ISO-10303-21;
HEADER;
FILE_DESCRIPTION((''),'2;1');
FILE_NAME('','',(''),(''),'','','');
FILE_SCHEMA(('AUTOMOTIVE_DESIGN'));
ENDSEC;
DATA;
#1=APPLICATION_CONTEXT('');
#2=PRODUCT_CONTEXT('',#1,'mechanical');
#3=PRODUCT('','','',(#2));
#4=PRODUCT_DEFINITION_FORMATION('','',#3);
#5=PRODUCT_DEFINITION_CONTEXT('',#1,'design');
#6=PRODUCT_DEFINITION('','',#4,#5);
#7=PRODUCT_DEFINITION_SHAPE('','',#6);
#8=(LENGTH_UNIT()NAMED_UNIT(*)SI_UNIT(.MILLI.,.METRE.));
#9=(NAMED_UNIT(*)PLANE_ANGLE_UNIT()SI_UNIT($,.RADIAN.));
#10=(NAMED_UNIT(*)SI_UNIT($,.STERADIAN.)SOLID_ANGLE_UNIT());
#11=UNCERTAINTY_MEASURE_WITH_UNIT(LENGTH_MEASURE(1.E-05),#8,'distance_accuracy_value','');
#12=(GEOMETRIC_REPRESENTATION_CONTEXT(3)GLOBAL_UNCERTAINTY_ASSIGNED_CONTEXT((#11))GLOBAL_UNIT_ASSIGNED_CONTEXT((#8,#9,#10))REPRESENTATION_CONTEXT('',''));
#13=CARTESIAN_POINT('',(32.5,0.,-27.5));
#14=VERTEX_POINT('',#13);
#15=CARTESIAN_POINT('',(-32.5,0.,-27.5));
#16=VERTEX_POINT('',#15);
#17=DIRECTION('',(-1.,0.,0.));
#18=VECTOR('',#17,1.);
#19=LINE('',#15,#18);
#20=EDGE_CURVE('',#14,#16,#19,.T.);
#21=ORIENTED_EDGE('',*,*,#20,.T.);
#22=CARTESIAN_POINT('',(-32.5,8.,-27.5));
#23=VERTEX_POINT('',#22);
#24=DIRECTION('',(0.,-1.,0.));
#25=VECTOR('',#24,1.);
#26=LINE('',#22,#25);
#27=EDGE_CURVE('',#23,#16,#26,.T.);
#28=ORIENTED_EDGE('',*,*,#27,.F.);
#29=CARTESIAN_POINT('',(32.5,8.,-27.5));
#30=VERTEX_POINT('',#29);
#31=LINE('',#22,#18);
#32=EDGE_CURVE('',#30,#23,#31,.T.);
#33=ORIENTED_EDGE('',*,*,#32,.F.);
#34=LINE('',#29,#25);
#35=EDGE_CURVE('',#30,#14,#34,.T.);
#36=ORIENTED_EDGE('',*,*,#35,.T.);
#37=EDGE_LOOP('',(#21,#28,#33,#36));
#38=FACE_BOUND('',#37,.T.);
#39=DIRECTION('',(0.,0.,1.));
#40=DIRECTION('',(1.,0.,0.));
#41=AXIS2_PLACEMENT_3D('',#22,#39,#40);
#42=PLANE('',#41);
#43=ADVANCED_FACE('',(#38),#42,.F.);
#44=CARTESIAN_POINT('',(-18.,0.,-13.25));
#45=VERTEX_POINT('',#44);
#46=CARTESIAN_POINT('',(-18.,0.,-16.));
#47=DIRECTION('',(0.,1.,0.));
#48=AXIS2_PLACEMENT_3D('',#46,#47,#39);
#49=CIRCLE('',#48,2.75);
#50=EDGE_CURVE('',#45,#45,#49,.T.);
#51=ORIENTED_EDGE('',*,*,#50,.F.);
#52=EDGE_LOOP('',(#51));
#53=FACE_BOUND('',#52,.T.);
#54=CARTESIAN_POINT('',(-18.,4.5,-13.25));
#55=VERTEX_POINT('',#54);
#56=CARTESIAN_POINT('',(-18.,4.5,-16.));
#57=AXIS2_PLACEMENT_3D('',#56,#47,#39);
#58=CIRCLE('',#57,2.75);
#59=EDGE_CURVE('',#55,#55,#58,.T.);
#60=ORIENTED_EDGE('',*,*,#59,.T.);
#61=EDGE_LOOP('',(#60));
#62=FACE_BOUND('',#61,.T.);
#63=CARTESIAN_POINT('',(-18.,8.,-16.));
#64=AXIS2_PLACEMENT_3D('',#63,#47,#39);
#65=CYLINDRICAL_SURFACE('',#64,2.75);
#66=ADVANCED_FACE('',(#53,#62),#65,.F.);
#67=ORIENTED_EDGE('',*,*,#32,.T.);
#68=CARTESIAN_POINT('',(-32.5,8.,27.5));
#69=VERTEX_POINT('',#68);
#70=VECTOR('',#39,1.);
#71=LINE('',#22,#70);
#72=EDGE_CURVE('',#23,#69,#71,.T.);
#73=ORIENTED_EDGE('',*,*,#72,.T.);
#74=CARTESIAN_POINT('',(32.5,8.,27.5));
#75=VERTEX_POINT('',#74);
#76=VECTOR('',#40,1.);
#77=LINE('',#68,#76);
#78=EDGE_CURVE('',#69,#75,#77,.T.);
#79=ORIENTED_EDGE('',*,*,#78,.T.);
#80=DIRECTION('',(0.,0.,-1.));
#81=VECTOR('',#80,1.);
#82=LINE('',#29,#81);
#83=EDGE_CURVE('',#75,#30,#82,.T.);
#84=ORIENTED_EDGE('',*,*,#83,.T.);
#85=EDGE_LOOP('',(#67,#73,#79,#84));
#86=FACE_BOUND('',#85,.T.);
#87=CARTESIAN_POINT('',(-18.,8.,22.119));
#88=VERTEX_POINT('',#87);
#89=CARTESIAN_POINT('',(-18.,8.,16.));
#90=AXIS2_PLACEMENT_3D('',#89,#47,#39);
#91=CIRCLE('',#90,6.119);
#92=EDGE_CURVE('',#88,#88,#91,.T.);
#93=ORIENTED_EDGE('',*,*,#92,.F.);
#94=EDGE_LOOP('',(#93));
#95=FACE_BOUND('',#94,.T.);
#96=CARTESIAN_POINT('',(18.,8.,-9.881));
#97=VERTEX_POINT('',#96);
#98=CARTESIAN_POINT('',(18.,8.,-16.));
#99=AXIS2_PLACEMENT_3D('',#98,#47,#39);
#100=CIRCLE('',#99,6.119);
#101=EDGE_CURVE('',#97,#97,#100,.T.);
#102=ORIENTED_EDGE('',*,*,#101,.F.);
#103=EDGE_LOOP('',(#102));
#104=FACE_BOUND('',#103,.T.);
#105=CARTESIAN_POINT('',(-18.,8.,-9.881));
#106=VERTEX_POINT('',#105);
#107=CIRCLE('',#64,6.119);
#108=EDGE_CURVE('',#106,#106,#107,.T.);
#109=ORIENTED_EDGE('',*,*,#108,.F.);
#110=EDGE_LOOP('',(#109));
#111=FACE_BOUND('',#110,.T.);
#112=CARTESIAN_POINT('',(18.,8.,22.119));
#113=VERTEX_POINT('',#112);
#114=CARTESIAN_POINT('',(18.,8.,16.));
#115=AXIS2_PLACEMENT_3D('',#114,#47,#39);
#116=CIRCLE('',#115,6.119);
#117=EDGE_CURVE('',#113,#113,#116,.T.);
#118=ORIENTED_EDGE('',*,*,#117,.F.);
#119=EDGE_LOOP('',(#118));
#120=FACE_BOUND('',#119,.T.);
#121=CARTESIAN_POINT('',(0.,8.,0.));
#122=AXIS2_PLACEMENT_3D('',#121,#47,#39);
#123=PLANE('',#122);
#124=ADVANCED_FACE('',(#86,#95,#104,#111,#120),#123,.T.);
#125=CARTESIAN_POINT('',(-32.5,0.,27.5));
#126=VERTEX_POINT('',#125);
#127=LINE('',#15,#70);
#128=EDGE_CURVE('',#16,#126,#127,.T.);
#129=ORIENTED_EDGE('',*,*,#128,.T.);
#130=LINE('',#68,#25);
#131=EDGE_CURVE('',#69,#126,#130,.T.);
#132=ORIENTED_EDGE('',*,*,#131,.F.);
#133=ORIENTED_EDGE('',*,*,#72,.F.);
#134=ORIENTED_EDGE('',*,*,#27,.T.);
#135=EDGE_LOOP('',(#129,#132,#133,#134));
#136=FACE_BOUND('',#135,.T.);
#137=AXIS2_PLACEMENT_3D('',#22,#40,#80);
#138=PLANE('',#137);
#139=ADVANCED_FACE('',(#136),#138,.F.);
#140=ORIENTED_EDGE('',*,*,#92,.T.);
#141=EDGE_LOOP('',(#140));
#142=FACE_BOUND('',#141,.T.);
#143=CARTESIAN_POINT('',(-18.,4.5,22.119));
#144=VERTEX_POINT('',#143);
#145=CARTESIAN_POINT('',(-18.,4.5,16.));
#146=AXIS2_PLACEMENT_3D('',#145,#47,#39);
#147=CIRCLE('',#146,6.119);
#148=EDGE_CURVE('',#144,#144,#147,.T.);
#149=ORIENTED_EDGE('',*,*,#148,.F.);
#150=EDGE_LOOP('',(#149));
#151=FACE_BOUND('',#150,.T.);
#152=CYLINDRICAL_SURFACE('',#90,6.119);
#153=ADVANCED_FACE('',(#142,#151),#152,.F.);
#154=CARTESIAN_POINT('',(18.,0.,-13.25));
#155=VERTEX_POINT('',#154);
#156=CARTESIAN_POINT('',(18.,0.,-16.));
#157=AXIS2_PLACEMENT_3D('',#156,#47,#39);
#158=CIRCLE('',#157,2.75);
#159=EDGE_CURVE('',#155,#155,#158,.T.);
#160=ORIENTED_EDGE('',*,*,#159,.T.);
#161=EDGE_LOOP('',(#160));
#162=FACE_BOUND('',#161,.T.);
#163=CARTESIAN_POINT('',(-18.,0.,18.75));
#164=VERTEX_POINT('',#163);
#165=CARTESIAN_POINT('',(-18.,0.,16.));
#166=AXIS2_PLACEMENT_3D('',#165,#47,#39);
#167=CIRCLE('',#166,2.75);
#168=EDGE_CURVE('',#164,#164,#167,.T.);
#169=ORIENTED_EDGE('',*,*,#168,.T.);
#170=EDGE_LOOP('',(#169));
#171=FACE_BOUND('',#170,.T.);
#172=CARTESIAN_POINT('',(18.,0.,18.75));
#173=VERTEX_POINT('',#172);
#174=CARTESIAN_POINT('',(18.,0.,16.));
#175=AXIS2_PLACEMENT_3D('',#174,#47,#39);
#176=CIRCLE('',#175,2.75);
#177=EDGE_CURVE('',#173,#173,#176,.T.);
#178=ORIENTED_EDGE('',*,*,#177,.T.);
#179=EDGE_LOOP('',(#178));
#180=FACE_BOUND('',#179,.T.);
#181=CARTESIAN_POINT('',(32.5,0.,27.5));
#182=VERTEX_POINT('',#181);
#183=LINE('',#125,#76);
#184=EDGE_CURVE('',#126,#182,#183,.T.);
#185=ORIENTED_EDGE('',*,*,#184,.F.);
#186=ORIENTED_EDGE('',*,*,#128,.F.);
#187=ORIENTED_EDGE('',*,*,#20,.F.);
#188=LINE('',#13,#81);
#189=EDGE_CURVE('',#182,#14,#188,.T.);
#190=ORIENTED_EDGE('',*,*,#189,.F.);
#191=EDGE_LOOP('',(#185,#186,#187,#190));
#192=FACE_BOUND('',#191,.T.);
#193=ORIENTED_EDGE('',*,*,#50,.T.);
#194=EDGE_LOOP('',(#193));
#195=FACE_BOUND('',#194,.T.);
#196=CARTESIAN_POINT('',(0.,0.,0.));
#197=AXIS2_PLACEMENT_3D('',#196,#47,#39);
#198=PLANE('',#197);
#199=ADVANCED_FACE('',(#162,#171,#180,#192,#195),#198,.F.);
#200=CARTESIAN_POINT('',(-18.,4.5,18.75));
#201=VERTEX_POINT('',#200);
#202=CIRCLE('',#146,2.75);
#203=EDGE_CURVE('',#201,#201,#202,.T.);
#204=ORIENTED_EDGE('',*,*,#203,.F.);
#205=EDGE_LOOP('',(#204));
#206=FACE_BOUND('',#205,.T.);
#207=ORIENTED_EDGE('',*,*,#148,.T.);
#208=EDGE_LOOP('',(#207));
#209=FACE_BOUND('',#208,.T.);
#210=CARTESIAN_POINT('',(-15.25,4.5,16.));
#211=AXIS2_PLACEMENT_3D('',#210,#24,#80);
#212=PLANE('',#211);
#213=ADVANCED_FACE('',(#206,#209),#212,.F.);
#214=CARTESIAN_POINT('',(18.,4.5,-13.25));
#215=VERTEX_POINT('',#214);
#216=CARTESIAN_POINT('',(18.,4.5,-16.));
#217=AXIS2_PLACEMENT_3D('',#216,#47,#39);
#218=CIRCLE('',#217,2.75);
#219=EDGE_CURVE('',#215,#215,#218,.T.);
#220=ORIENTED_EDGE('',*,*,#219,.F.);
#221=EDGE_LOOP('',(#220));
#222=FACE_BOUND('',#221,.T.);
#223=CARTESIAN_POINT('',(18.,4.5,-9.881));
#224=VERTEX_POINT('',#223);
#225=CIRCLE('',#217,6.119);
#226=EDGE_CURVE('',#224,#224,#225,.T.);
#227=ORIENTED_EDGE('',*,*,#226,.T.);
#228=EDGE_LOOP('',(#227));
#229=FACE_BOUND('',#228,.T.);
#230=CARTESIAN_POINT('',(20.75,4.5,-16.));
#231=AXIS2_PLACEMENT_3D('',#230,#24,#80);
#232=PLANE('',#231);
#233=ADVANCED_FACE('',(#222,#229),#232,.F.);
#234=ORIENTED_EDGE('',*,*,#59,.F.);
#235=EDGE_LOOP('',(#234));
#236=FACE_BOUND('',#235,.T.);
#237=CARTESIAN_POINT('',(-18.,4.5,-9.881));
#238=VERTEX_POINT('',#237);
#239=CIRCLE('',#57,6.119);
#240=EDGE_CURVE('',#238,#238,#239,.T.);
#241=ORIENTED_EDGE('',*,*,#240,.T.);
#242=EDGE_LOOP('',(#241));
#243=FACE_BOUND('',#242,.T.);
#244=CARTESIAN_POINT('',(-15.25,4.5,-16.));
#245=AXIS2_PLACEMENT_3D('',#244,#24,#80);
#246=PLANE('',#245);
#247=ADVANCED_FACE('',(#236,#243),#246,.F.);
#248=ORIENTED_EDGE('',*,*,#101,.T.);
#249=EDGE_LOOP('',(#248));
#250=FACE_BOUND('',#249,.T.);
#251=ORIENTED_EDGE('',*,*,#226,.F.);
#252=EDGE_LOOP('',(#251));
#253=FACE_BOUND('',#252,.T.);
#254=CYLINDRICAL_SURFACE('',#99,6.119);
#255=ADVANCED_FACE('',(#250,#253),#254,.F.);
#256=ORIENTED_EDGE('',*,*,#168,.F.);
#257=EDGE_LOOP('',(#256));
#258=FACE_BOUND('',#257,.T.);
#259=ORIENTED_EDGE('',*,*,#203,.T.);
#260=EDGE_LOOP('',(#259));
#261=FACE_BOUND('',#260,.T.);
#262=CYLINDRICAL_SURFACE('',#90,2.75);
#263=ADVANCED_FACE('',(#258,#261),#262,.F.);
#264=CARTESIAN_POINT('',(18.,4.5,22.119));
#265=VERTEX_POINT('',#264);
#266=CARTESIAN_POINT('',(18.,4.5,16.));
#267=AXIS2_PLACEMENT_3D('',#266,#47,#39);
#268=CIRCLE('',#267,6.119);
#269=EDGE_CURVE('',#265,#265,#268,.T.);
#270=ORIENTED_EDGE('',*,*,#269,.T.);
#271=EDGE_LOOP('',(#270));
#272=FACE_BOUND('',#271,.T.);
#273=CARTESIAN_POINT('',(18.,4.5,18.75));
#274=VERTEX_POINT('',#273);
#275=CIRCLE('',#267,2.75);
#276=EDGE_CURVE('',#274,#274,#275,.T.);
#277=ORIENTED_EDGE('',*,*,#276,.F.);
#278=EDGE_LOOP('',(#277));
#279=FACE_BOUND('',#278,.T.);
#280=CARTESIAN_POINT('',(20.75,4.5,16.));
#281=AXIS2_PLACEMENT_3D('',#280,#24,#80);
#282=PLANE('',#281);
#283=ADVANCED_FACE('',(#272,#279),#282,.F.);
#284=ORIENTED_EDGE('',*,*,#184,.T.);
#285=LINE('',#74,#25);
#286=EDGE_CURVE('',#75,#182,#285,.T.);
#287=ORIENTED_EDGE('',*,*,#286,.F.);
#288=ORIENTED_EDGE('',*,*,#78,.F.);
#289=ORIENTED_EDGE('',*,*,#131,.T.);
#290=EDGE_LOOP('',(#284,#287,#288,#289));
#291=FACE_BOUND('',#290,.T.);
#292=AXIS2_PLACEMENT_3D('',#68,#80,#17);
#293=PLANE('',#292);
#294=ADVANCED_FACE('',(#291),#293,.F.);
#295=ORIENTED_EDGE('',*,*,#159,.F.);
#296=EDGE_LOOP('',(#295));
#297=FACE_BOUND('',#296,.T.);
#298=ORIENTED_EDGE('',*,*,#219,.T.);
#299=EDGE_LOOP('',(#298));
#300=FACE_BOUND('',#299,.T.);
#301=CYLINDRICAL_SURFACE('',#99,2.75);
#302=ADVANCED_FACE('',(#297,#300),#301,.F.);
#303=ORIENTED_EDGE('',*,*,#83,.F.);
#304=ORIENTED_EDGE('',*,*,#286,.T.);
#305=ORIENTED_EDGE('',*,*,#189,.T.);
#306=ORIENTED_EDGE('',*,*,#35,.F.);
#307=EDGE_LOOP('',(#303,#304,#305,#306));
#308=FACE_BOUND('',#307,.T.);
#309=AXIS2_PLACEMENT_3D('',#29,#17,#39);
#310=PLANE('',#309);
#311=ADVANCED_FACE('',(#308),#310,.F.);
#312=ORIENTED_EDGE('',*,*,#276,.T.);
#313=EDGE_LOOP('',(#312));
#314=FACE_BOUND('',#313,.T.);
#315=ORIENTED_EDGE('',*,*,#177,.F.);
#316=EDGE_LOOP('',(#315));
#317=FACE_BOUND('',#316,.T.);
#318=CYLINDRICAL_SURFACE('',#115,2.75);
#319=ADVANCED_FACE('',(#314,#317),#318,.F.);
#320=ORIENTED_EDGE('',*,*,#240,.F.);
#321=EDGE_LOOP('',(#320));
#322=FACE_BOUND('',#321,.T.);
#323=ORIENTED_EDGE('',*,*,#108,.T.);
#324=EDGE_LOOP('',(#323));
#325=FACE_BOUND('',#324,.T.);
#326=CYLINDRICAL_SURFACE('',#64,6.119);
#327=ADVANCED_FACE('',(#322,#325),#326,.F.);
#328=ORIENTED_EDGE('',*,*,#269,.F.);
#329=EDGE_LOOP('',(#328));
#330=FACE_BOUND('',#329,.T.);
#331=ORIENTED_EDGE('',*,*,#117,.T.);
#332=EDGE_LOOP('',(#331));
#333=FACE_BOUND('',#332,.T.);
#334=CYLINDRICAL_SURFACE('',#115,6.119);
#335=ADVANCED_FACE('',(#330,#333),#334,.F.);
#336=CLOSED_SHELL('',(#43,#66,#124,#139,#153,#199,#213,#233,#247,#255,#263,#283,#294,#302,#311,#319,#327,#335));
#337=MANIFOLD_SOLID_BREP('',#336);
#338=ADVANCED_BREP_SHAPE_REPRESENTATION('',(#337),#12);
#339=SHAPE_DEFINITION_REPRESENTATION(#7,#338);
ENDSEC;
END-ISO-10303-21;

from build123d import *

# Parameters (mm, degrees)
SKETCH1_W                                    = 65
SKETCH1_H                                    = 55
BOSS_EXTRUDE1_DEPTH                          = 8
CBORE_FOR_M5_HEX_HEAD_CAP_SCREW1_D           = 5.5
CBORE_FOR_M5_HEX_HEAD_CAP_SCREW1_CBORE_D     = 12.238
CBORE_FOR_M5_HEX_HEAD_CAP_SCREW1_CBORE_DEPTH = 3.5


with BuildPart() as part:
    # Sketch1 → Boss-Extrude1 (new body)
    with BuildSketch(Plane(origin=(0, 0, 0), x_dir=(1, 0, 0), z_dir=(0, 1, 0))):
        Rectangle(SKETCH1_W, SKETCH1_H)
    extrude(amount=BOSS_EXTRUDE1_DEPTH)

    # CBORE for M5 Hex Head Cap Screw1 (through all)
    with Locations(Plane(origin=(0, 8, 0), x_dir=(1, 0, 0), z_dir=(0, 1, 0))):
        with Locations((-18, 16), (18, 16), (18, -16), (-18, -16)):
            CounterBoreHole(CBORE_FOR_M5_HEX_HEAD_CAP_SCREW1_D / 2, CBORE_FOR_M5_HEX_HEAD_CAP_SCREW1_CBORE_D / 2, CBORE_FOR_M5_HEX_HEAD_CAP_SCREW1_CBORE_DEPTH)


solid = part.part
